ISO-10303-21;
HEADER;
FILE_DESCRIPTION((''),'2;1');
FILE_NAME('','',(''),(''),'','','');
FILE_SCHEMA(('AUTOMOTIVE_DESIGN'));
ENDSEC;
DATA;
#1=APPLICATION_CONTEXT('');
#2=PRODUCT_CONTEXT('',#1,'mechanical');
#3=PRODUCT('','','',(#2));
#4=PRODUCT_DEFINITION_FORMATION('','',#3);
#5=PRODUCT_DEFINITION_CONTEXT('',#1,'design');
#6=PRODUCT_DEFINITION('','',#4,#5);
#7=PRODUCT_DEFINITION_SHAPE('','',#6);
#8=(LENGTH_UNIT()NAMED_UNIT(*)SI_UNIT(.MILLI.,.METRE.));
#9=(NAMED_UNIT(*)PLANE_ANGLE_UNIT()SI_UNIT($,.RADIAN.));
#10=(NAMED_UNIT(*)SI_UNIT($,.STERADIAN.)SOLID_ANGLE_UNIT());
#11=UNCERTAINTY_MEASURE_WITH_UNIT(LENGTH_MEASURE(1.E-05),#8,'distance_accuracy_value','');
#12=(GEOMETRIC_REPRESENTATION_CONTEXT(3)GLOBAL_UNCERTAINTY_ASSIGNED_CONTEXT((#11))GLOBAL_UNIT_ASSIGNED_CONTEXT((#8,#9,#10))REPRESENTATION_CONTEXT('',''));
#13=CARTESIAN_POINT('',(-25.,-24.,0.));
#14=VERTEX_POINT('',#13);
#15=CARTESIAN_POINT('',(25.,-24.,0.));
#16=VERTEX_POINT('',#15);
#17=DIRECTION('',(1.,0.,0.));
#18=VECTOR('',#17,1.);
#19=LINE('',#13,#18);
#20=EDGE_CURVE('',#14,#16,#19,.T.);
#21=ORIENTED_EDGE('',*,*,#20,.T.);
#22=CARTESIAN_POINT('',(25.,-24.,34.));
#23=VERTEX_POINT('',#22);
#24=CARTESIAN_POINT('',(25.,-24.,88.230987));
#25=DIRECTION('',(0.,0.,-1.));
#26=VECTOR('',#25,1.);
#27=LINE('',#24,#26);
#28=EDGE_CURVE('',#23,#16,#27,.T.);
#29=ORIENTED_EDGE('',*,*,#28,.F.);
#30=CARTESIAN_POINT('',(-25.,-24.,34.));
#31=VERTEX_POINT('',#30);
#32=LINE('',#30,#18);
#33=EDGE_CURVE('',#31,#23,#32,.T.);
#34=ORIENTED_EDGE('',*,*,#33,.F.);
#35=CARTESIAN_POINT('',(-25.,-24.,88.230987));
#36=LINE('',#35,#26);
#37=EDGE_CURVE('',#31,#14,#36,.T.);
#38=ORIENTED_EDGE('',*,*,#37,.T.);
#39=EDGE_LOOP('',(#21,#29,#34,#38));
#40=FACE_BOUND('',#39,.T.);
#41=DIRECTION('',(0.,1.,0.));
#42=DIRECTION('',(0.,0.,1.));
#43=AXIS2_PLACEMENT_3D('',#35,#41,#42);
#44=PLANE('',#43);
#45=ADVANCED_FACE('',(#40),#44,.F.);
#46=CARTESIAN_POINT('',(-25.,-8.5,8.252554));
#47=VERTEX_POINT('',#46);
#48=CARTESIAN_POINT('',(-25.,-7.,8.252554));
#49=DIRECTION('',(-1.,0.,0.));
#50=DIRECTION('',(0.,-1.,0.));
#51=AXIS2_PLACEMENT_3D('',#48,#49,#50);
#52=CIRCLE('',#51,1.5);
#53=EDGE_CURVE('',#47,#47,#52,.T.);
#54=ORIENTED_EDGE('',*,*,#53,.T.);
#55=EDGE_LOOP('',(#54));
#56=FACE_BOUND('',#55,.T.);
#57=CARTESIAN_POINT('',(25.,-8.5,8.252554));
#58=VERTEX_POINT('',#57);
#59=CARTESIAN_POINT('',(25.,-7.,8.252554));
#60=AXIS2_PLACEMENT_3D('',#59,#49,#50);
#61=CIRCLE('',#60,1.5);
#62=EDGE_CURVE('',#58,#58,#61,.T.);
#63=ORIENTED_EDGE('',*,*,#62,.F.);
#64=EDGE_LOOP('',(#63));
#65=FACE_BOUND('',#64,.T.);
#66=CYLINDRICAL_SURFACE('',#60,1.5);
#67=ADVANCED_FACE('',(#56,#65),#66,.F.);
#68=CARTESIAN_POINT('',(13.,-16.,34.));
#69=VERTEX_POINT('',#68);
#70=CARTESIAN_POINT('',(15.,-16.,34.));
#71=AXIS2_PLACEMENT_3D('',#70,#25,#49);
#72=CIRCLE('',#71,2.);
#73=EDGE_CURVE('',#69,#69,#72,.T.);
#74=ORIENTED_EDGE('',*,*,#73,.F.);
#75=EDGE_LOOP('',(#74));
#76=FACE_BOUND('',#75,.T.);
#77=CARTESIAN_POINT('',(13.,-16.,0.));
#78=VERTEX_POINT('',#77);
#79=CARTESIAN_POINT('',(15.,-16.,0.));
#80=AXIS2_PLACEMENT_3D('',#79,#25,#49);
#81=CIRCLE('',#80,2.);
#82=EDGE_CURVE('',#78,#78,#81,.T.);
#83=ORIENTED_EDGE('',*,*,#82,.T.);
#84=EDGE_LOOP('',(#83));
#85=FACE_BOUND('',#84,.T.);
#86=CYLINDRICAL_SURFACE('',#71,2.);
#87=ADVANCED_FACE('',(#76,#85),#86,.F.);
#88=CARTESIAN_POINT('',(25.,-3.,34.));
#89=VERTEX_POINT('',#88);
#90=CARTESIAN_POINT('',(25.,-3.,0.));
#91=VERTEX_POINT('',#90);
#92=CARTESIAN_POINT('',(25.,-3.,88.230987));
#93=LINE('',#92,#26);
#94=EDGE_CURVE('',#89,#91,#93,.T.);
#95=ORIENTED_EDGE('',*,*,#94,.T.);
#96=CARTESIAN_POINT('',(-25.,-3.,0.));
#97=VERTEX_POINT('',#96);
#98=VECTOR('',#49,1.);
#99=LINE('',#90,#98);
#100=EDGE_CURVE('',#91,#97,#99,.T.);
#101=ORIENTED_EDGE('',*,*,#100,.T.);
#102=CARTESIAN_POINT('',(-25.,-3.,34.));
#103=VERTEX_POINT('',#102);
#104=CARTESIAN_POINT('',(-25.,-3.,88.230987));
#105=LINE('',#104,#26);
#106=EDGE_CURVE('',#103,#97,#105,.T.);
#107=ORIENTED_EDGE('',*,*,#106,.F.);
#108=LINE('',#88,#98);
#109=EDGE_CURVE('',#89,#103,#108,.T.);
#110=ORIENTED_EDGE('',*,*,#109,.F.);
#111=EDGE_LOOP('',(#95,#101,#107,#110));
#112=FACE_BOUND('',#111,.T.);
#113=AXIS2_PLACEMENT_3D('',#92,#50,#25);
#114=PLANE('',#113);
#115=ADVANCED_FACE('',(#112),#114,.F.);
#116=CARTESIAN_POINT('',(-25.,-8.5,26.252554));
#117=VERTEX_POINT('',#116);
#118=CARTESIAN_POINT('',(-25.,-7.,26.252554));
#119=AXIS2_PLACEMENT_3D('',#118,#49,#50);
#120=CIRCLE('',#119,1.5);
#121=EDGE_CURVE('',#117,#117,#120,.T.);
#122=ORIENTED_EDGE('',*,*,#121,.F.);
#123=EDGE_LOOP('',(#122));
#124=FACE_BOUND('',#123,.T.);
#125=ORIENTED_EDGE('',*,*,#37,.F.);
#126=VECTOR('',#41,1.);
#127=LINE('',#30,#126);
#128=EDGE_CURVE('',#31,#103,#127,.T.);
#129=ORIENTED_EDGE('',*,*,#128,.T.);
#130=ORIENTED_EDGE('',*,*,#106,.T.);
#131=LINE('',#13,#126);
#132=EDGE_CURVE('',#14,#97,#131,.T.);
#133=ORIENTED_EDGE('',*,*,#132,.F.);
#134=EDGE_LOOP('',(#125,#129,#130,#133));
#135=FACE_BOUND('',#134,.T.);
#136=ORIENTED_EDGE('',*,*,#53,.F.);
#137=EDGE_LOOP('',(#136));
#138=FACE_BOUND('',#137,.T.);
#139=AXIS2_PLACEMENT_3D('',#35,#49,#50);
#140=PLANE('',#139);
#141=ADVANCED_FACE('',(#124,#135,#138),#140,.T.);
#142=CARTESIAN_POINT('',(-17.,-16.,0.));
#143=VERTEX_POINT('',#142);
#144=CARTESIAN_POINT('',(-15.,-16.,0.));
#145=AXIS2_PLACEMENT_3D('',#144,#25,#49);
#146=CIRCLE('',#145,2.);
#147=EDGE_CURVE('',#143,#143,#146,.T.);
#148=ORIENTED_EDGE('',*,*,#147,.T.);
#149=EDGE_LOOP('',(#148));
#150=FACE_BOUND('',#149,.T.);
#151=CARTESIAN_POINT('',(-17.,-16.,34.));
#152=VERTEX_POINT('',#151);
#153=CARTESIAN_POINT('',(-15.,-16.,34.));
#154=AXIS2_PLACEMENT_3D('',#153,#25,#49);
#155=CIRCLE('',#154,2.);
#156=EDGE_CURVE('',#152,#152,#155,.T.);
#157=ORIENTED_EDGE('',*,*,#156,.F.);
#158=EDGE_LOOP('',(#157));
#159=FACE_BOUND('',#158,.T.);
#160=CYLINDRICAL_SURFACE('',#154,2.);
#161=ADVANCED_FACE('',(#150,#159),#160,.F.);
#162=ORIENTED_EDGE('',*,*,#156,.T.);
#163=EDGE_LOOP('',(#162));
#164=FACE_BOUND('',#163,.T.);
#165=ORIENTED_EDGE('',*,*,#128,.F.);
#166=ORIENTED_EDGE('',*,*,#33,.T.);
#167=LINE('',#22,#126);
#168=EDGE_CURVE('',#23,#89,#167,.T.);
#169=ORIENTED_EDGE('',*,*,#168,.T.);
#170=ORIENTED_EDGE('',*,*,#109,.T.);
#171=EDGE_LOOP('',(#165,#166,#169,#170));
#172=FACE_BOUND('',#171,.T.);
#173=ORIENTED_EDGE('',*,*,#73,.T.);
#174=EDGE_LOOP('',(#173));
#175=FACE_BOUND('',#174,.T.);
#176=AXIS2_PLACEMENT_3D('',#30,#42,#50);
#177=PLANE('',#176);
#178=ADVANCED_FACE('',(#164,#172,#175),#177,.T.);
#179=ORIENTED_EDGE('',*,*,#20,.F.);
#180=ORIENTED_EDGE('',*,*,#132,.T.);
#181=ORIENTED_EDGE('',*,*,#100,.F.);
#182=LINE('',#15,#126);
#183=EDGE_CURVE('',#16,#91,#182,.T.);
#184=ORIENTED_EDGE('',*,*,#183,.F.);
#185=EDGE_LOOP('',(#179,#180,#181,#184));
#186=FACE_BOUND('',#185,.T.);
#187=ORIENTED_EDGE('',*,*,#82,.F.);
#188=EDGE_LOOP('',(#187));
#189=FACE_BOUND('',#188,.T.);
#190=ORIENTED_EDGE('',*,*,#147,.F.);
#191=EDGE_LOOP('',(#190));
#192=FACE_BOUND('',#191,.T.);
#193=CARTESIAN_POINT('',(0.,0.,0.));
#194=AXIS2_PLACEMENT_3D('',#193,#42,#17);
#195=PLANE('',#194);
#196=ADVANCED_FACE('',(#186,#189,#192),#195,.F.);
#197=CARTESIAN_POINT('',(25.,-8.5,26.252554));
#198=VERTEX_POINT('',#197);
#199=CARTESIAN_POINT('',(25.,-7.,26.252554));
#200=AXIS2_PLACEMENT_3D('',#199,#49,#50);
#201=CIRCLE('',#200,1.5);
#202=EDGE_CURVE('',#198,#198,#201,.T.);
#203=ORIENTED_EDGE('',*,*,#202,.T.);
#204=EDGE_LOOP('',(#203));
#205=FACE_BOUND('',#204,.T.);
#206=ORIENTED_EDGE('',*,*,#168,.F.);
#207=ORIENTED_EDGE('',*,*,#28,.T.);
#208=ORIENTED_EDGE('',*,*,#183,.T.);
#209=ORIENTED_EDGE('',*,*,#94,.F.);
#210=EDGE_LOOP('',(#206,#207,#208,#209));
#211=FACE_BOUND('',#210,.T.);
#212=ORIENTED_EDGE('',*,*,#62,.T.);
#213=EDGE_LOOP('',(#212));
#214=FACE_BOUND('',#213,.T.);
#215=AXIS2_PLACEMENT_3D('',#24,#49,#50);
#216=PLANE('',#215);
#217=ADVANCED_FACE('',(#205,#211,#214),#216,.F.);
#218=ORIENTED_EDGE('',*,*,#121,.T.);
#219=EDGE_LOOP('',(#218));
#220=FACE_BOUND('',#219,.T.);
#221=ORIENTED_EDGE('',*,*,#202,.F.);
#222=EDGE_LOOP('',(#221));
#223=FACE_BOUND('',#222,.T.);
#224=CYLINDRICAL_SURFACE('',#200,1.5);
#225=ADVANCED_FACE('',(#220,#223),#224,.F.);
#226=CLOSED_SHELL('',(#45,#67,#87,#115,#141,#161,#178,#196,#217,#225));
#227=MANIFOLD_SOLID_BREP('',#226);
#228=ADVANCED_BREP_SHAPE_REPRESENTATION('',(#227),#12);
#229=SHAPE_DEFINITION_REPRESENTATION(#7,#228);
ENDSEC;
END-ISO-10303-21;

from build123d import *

# Parameters (mm, degrees)
SKETCH_1_W          = 50
SKETCH_1_H          = 21
EXTRUDE_1_DEPTH     = 34
SKETCH_2_R          = 2
CUT_EXTRUDE_1_DEPTH = 49.548944376
SKETCH_3_R          = 1.5
CUT_EXTRUDE_2_DEPTH = 66.053823869


with BuildPart() as part:
    # 草图1 → 凸台-拉伸1 (new body)
    with BuildSketch(Plane.XY):
        with Locations((0, -13.5)):
            Rectangle(SKETCH_1_W, SKETCH_1_H)
    extrude(amount=EXTRUDE_1_DEPTH)

    # 草图2 → 切除-拉伸1 (cut, through all)
    with BuildSketch(Plane(origin=(0, 0, 0), x_dir=(-1, 0, 0), z_dir=(0, 0, -1))):
        with Locations((-15, -16)):
            Circle(SKETCH_2_R)
        with Locations((15, -16)):
            Circle(SKETCH_2_R)
    extrude(amount=-CUT_EXTRUDE_1_DEPTH, mode=Mode.SUBTRACT)

    # 草图3 → 切除-拉伸2 (cut, through all)
    with BuildSketch(Plane.ZY.offset(25)):
        with Locations(Location((8.252553912, -7, 0), (0, 0, 270))):
            Circle(SKETCH_3_R)
        with Locations(Location((26.252553912, -7, 0), (0, 0, 270))):
            Circle(SKETCH_3_R)
    extrude(amount=-CUT_EXTRUDE_2_DEPTH, mode=Mode.SUBTRACT)


solid = part.part
